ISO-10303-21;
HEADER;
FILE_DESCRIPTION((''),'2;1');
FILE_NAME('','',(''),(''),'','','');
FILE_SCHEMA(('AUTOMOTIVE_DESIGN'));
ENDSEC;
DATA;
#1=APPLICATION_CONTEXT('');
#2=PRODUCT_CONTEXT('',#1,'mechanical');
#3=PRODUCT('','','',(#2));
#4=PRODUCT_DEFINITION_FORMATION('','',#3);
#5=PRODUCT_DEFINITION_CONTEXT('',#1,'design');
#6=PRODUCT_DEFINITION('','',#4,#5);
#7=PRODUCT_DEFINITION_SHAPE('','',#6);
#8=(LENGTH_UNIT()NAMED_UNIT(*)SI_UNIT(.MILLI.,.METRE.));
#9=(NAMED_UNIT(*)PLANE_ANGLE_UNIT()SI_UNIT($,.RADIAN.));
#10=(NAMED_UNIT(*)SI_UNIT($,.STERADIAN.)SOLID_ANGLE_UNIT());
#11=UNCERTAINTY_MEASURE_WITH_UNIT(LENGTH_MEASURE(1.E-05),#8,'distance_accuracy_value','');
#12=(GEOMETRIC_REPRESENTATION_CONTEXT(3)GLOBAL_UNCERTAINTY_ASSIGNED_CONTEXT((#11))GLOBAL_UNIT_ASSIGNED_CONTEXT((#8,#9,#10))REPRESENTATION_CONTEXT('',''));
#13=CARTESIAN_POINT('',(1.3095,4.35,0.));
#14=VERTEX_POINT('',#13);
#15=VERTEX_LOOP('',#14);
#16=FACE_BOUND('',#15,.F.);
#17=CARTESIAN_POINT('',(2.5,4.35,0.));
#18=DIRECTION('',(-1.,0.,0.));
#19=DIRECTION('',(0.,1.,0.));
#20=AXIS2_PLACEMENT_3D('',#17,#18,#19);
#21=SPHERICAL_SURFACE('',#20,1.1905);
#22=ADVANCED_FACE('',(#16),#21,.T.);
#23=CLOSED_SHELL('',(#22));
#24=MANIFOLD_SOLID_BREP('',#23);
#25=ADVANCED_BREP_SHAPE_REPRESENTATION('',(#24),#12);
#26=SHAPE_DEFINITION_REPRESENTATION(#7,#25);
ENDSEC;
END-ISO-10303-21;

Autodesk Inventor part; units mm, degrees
ref_plane "YZ Plane" through (0, 0, 0) normal (1, 0, 0) x (0, 1, 0)
ref_plane "XZ Plane" through (0, 0, 0) normal (0, 1, 0) x (-1, 0, 0)
ref_plane "XY Plane" through (0, 0, 0) normal (0, 0, 1) x (1, 0, 0)
sketch "Sketch_6" plane through (0, 0, 0) normal (0, 0, 1) x (1, 0, 0)
  line L0 (3.6905, 4.35) -> (1.3095, 4.35)
  arc A0 (3.6905, 4.35) -> (1.3095, 4.35) centre (2.5, 4.35) ccw
  line L1 (3.6905, 4.35) -> (1.3095, 4.35)
  dimension "d0" = 360
revolve "Revolution1" add sketch "Sketch_6" angle 360 about axis through (3.6905, 4.35, 0) along (1, 0, 0)
properties part number "SKF_W 624 R_PART3"
